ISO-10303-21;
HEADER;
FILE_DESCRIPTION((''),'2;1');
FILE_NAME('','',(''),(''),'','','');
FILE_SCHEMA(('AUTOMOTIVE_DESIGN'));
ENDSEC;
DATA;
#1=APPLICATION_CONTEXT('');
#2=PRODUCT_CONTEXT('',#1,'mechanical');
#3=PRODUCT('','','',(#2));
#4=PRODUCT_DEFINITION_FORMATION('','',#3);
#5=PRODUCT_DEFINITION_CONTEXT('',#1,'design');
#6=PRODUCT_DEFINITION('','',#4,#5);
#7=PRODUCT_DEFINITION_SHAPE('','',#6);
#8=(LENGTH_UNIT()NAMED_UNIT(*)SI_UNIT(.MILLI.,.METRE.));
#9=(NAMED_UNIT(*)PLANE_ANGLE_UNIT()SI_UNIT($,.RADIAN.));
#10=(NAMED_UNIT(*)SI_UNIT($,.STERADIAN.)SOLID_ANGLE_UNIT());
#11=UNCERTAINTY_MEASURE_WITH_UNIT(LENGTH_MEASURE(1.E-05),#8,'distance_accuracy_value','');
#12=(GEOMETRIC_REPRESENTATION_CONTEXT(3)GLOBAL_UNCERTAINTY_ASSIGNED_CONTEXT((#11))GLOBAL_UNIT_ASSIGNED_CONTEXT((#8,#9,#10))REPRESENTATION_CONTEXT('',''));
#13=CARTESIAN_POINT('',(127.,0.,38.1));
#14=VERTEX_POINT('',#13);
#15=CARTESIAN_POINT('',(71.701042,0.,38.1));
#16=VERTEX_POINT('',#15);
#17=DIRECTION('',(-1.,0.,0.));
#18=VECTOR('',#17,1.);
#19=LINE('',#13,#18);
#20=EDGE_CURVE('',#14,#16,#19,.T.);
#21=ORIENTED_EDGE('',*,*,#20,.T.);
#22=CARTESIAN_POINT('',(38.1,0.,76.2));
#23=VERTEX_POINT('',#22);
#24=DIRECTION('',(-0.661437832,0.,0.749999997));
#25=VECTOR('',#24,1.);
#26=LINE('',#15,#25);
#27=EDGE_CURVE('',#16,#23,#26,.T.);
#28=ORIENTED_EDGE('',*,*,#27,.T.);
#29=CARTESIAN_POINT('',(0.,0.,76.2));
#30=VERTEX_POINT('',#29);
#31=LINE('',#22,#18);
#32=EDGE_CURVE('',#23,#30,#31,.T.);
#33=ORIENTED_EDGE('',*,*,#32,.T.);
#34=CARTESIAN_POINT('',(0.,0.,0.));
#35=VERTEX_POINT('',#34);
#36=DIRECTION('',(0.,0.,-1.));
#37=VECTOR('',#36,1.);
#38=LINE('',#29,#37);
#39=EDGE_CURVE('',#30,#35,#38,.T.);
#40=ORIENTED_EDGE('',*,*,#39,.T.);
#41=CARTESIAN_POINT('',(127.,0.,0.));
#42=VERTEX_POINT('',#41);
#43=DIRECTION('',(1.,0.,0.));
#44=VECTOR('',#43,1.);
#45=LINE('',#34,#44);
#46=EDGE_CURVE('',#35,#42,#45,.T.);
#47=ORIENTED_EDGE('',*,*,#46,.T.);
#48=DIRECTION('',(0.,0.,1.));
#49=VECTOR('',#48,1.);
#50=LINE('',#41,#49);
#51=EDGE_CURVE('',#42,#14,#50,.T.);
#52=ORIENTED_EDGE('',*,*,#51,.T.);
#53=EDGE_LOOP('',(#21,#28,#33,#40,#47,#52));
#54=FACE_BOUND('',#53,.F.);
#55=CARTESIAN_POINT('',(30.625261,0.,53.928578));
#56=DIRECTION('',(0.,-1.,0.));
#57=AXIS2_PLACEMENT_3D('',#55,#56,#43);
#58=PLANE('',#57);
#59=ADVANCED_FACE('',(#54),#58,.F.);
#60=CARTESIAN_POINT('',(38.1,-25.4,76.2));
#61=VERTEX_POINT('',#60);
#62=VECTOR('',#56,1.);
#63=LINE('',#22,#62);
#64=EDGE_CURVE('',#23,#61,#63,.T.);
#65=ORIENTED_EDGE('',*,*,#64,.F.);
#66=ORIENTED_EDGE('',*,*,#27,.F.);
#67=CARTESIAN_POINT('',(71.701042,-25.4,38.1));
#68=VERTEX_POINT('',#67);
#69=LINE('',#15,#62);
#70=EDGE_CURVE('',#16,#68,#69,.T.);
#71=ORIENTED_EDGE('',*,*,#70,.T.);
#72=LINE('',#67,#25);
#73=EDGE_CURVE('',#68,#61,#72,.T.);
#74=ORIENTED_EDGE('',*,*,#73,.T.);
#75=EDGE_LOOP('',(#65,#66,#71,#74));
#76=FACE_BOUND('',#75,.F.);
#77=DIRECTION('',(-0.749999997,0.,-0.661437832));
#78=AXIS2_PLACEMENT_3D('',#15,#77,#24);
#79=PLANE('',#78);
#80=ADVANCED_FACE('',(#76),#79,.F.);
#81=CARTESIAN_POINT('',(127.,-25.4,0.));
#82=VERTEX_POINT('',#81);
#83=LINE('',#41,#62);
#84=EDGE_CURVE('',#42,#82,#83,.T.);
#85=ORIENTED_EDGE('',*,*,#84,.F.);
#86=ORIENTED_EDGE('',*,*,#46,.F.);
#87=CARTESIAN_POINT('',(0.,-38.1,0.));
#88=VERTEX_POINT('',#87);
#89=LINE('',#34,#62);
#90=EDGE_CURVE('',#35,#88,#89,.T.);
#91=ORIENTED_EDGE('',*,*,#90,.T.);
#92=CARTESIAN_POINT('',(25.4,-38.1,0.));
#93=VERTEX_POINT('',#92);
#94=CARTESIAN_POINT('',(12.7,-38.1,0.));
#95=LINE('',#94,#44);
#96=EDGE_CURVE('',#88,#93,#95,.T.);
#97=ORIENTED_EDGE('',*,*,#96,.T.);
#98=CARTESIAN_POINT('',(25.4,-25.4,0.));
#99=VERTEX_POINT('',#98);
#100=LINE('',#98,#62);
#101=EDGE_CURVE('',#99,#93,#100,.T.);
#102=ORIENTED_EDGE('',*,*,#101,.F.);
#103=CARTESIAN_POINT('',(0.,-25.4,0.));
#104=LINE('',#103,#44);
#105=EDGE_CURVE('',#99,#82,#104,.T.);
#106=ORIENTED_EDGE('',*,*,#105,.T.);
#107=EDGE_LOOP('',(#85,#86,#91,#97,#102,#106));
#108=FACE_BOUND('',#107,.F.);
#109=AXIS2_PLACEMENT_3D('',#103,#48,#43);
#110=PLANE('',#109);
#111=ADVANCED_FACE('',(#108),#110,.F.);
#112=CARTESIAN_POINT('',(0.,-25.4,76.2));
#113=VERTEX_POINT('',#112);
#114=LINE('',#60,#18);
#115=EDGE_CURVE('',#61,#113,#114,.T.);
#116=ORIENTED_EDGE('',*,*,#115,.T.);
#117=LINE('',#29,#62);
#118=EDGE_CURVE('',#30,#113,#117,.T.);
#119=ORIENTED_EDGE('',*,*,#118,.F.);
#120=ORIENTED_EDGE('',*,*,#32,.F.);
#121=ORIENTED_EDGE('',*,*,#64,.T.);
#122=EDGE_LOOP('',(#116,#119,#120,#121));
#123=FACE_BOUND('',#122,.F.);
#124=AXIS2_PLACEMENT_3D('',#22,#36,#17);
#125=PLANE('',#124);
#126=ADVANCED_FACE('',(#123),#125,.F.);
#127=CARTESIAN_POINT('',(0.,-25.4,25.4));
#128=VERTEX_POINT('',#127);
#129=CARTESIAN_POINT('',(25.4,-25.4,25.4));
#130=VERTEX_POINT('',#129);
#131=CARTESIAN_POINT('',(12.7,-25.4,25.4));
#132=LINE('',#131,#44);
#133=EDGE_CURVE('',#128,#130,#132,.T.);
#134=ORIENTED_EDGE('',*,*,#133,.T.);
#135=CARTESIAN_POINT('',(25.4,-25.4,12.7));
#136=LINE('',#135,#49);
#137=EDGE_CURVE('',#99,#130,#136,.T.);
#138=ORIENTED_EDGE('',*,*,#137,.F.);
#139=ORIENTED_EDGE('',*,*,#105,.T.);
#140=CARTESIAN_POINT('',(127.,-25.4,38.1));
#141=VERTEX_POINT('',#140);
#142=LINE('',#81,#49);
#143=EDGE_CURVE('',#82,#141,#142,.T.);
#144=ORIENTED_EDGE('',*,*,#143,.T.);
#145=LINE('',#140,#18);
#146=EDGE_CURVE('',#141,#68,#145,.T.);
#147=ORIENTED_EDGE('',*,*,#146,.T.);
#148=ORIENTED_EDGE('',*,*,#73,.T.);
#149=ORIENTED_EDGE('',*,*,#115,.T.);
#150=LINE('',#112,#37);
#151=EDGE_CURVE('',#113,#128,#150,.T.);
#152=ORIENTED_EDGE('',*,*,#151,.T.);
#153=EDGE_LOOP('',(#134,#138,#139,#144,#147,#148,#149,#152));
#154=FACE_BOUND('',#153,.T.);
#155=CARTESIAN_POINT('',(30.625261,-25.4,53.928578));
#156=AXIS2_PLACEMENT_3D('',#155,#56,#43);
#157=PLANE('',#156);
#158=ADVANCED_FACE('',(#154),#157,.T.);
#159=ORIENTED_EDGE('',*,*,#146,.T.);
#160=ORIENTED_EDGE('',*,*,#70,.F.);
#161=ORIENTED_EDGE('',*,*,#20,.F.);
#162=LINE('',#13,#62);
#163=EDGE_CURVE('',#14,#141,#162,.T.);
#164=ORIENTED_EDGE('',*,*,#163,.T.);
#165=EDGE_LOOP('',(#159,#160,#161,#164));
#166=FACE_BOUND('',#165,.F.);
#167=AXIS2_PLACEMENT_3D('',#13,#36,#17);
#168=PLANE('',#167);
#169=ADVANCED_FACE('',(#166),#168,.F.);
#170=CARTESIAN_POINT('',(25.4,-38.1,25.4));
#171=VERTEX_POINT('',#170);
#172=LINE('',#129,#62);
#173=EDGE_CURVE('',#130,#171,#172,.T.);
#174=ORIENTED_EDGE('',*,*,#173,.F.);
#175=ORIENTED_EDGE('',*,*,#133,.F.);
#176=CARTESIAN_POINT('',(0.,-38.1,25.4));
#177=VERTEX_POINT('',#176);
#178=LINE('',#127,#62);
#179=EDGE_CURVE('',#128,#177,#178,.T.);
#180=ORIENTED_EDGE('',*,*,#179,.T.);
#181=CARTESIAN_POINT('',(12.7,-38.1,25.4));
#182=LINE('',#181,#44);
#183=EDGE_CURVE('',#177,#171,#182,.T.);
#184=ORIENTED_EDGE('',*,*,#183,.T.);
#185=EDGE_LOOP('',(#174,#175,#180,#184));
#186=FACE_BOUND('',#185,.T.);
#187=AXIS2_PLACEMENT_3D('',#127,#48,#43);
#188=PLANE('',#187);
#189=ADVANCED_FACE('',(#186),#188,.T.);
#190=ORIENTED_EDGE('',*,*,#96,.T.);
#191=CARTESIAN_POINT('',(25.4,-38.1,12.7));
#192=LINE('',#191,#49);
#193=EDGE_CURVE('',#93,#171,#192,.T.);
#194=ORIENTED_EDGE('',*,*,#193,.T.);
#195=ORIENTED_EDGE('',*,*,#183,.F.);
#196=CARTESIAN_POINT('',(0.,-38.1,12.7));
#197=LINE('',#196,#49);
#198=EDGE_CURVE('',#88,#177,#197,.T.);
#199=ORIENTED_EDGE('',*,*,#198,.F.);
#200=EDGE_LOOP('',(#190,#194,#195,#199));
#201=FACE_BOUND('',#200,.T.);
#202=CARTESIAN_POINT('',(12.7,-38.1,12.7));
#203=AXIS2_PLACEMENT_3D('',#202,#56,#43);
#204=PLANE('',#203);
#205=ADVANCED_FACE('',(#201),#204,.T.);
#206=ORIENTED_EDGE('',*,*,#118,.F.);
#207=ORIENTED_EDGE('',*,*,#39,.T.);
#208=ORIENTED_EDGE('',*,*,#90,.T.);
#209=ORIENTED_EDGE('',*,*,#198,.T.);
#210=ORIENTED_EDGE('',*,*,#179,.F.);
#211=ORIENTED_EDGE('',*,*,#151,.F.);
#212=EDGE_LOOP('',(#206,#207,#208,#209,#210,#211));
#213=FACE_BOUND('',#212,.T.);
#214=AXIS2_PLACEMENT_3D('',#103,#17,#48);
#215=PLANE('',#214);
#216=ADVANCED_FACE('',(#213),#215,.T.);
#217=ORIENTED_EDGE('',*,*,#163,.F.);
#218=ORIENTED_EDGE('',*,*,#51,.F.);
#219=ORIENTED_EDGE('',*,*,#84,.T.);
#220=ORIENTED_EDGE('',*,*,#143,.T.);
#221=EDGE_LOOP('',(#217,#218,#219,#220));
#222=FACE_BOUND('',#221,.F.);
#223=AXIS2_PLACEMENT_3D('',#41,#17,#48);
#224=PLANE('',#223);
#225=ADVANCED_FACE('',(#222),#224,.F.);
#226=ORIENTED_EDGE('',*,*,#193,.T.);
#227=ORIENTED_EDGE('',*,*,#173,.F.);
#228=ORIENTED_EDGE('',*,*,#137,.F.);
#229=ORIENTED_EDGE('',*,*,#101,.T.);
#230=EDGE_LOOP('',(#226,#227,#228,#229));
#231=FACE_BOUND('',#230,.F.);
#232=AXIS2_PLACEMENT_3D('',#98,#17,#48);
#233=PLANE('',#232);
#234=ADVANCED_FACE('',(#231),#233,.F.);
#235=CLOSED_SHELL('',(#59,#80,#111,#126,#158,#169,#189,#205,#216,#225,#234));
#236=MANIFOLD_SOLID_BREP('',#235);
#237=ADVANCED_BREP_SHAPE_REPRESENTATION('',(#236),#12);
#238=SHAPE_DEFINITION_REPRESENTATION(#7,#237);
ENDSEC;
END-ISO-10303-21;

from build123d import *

# Parameters (mm, degrees)
F1_DEPTH = 25.4
F2_W     = 25.4
F2_H     = 25.4
F3_DEPTH = 12.7


with BuildPart() as f1:
    # F0 (on Front) → F1 (new body)
    with BuildSketch(Plane.XZ):
        Polygon((0, 76.2), (0, 38.1), (71.701042, 38.1), (38.1, 76.2), align=None)
        Polygon((0, 25.4), (0, 0), (127, 0), (127, 38.1), (71.701042, 38.1), (0, 38.1), align=None)
    extrude(amount=F1_DEPTH)

    # F2 (on face) → F3 (join)
    with BuildSketch(Plane.XZ.offset(25.4)):
        with Locations((12.7, 12.7)):
            Rectangle(F2_W, F2_H)
    extrude(amount=F3_DEPTH)


solid = f1.part
